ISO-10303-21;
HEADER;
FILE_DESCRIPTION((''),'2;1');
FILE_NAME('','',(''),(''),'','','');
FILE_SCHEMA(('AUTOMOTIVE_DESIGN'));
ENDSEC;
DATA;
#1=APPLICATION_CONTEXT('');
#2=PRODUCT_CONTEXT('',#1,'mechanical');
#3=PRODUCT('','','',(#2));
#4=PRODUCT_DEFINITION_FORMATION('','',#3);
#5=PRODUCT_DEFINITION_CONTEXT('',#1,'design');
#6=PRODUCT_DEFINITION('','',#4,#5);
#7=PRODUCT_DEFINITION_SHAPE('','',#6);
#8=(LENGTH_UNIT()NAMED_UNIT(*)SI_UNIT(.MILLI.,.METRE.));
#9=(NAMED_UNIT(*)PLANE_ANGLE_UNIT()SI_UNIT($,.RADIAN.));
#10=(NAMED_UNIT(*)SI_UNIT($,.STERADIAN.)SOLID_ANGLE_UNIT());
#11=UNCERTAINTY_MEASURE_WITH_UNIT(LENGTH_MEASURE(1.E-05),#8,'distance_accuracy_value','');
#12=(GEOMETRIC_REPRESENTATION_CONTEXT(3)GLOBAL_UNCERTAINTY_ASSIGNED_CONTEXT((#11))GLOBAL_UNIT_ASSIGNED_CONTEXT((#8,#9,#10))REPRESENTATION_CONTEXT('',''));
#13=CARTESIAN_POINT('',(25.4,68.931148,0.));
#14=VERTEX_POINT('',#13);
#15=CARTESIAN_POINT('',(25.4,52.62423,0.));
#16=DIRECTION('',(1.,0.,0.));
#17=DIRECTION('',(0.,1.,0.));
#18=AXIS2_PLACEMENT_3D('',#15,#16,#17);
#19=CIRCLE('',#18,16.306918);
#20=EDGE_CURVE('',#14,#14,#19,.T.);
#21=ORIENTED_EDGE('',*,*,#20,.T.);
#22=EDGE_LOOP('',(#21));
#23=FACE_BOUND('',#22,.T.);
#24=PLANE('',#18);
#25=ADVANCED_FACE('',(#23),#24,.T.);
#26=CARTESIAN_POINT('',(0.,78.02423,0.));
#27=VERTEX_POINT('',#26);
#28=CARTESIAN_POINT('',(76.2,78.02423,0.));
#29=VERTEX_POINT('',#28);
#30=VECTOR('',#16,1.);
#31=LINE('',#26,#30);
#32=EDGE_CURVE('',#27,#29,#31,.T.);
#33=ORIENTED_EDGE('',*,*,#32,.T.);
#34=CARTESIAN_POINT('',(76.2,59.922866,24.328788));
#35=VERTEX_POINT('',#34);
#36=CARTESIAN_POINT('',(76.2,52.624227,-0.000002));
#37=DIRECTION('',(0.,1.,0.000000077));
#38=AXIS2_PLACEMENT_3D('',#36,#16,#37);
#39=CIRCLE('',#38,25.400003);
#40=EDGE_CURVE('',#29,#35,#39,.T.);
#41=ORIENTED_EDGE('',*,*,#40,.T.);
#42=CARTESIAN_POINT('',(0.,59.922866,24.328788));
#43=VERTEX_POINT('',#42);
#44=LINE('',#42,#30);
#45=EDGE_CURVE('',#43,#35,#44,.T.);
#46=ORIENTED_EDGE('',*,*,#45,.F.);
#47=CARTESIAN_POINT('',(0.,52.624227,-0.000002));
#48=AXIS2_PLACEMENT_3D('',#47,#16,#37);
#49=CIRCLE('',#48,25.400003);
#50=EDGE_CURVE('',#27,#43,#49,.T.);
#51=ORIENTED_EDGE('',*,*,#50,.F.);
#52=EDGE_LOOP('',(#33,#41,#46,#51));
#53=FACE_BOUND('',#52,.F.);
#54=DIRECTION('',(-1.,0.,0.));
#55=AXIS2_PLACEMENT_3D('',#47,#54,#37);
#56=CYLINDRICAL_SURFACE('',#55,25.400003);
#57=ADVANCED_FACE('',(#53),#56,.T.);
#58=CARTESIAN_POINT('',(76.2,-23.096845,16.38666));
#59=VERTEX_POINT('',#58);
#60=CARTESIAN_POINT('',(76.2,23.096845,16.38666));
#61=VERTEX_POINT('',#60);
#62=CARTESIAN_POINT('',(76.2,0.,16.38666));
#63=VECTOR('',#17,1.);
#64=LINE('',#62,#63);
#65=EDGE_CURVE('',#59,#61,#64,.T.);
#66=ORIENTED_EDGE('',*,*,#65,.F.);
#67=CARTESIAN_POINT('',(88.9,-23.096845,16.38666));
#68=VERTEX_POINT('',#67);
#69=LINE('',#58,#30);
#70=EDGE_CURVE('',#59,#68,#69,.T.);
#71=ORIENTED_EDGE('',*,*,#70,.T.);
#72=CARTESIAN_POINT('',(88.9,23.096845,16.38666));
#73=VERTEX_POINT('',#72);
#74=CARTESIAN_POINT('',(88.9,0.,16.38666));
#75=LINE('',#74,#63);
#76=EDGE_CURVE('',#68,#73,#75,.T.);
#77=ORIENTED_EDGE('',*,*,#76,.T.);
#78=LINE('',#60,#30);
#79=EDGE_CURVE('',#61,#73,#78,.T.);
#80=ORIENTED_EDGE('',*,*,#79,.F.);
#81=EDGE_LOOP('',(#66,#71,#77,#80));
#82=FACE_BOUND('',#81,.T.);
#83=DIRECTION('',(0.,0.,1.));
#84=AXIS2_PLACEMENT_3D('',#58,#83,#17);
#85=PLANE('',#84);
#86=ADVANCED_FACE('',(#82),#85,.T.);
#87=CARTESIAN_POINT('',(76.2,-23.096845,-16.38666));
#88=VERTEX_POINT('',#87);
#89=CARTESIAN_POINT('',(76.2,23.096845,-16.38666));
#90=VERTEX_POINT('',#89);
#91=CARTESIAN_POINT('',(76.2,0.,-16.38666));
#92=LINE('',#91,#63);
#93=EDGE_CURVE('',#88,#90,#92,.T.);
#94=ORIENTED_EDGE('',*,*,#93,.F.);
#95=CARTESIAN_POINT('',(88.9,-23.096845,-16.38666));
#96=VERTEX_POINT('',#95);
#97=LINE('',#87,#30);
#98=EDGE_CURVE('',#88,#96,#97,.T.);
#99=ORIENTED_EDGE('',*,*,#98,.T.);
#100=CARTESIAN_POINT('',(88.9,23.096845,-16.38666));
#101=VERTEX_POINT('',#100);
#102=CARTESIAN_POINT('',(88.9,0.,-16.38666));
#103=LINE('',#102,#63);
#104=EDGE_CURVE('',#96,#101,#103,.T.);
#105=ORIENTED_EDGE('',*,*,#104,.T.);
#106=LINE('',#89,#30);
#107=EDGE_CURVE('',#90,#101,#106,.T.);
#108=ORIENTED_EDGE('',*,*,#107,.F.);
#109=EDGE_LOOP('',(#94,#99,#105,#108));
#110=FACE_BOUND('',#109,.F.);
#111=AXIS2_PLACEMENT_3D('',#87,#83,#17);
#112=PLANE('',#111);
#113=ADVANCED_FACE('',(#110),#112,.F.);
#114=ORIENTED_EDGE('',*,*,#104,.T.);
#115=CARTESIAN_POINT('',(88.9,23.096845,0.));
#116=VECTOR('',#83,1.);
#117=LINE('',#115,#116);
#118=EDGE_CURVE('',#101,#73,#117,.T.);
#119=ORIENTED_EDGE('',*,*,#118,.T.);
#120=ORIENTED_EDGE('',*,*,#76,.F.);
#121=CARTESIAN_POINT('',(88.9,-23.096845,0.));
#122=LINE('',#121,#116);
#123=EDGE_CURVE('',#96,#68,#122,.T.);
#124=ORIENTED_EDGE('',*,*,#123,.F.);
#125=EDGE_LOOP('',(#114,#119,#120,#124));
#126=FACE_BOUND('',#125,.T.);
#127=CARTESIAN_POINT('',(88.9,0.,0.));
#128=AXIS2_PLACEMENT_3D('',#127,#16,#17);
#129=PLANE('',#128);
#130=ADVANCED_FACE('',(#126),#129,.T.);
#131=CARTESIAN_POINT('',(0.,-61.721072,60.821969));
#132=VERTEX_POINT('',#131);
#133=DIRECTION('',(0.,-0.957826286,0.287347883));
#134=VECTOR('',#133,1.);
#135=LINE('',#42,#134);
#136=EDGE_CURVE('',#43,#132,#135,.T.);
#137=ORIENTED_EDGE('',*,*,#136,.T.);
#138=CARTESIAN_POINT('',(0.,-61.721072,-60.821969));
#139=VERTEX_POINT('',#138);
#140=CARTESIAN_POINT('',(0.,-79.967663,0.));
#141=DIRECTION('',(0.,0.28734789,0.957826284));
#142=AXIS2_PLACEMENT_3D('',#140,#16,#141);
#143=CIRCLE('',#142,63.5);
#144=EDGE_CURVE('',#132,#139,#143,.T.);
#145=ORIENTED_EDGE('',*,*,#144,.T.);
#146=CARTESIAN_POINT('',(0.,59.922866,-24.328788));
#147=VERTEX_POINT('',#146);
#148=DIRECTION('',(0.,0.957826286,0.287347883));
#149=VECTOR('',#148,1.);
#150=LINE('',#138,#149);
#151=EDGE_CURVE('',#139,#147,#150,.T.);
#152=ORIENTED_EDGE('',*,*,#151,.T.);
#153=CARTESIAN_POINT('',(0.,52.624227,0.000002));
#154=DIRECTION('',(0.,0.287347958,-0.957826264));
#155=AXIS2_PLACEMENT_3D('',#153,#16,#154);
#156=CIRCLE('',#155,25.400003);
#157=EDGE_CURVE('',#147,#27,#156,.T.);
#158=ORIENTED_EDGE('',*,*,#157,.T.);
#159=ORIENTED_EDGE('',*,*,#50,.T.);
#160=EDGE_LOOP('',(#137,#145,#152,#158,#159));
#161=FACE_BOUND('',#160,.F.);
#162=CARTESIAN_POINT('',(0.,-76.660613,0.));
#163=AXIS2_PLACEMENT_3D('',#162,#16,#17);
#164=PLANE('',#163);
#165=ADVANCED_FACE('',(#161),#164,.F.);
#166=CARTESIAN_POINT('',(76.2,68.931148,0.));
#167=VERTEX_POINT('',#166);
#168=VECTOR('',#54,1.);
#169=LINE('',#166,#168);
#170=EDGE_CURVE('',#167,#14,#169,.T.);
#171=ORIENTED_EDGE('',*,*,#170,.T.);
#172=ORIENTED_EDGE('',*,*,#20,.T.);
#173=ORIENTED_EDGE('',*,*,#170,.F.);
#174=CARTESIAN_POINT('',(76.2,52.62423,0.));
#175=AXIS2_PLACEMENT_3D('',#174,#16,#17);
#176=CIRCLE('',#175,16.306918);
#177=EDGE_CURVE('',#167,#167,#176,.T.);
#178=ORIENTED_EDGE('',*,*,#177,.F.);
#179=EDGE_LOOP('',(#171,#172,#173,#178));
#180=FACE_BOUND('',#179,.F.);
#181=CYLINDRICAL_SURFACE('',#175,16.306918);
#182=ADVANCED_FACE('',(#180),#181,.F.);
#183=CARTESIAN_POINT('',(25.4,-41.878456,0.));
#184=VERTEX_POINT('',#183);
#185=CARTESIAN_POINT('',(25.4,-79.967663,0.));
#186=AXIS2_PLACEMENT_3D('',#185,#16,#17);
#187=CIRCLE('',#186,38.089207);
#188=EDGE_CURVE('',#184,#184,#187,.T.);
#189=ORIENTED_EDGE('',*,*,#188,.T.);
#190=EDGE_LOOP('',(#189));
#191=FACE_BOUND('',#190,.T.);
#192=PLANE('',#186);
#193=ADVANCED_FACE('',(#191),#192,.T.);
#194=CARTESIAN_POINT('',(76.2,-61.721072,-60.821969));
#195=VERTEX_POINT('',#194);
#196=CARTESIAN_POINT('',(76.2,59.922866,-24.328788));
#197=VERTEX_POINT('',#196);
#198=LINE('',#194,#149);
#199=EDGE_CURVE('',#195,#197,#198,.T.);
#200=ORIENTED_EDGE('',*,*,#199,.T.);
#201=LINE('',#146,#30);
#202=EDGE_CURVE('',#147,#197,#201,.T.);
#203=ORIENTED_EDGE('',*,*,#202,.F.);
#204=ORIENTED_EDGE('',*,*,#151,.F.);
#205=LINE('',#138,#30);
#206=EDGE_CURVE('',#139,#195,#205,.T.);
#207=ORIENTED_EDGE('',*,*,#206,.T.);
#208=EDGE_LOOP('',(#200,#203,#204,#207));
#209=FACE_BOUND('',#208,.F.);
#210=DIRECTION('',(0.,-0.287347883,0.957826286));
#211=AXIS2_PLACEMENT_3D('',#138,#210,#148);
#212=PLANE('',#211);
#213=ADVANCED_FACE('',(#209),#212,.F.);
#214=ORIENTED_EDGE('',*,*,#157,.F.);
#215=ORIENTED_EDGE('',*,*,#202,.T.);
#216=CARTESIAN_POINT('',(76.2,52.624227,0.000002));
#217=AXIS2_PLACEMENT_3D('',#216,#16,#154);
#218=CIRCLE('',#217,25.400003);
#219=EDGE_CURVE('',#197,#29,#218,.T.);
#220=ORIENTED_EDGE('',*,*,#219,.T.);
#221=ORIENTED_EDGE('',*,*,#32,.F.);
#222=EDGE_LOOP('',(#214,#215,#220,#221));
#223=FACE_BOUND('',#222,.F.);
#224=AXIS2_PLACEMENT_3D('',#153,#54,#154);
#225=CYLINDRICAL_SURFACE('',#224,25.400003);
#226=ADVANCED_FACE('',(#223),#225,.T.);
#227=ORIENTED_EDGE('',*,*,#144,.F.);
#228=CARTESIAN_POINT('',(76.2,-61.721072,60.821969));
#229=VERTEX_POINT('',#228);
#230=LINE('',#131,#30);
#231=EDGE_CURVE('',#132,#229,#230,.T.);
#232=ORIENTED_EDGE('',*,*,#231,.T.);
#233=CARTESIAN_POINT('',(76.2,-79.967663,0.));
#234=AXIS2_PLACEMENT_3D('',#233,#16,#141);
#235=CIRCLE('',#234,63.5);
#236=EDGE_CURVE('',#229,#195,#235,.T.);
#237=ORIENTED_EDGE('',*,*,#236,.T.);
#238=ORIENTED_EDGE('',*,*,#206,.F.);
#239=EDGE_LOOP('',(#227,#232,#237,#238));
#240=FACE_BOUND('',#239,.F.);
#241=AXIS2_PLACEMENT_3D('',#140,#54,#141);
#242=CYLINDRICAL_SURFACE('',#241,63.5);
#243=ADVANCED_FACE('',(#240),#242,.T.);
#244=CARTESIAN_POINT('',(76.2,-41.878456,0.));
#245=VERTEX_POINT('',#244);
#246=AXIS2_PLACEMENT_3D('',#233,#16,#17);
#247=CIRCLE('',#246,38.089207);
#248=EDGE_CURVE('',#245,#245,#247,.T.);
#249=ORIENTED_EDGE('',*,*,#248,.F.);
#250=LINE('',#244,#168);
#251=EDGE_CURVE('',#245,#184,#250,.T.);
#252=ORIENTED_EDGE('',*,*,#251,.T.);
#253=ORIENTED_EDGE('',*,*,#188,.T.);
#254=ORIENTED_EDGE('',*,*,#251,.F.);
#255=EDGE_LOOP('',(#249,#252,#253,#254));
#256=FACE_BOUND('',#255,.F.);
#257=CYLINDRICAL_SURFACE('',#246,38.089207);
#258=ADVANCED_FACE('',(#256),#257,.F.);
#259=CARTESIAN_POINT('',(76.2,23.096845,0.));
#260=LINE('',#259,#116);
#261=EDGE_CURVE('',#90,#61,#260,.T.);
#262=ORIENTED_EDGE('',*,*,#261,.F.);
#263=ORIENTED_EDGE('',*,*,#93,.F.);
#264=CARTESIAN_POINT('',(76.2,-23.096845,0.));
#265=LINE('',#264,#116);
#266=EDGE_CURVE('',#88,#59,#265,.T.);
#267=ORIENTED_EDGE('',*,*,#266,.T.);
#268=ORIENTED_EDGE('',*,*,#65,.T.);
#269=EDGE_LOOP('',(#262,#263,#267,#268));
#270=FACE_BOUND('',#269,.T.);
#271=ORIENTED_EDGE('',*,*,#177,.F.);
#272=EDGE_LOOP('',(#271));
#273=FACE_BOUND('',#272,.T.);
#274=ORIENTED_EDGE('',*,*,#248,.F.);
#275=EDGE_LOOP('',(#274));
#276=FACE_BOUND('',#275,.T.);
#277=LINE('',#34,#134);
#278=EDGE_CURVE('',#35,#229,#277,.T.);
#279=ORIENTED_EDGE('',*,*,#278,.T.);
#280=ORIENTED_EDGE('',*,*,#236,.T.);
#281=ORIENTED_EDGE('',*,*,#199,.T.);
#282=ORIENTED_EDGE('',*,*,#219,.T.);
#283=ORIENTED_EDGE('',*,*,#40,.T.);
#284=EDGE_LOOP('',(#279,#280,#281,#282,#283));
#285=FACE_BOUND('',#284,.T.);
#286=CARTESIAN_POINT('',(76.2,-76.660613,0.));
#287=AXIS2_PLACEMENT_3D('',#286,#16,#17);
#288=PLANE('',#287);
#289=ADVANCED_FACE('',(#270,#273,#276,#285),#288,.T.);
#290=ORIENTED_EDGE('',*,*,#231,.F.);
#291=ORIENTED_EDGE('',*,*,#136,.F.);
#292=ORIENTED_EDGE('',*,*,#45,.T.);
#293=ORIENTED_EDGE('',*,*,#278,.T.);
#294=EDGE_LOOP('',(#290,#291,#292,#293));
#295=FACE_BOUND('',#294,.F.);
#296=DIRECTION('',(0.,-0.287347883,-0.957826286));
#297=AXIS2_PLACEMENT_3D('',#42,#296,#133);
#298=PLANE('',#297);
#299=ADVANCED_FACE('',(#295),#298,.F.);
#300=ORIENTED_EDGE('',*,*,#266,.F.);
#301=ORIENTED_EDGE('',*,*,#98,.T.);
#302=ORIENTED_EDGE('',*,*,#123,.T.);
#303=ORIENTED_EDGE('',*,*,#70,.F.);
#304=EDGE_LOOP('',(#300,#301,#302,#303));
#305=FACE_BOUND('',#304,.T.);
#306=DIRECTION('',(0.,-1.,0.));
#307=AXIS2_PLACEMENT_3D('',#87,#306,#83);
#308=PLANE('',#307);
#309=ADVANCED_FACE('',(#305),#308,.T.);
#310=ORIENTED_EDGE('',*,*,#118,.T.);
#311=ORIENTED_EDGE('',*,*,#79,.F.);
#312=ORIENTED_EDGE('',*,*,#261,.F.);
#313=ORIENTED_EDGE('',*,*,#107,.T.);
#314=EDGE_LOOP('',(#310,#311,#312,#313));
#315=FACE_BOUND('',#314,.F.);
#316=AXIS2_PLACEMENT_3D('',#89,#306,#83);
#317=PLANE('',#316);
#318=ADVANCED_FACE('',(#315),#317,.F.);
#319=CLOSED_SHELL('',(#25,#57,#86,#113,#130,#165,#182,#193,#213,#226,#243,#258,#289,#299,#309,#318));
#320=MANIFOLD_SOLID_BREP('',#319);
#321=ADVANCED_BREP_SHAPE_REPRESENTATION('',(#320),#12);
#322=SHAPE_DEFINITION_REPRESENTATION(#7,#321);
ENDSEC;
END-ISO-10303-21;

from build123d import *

# Parameters (mm, degrees)
F1_DEPTH = 76.2
F2_R     = 38.089207
F2_R_2   = 16.306918
F3_DEPTH = 50.8
F4_W     = 46.19369
F4_H     = 32.77332
F5_DEPTH = 12.7


with BuildPart() as f1:
    # F0 (on Right) → F1 (new body)
    with BuildSketch(Plane.YZ):
        with BuildLine():
            ThreePointArc((-61.721072, -60.821969), (-29.022062, -37.905089), (-16.467663, 0))
            ThreePointArc((-16.467663, 0), (-29.022062, 37.905089), (-61.721072, 60.821969))
            ThreePointArc((-61.721072, 60.821969), (-143.467663, 0), (-61.721072, -60.821969))
        make_face()
        with BuildLine():
            ThreePointArc((-61.721072, 60.821969), (-29.022062, 37.905089), (-16.467663, 0))
            ThreePointArc((-16.467663, 0), (-29.022062, -37.905089), (-61.721072, -60.821969))
            Line((-61.721072, -60.821969), (59.922866, -24.328788))
            ThreePointArc((59.922866, -24.328788), (27.22423, 0), (59.922866, 24.328788))
            Line((59.922866, 24.328788), (-61.721072, 60.821969))
        make_face()
        with BuildLine():
            ThreePointArc((78.02423, 0), (73.00247, 15.162035), (59.922866, 24.328788))
            ThreePointArc((59.922866, 24.328788), (27.22423, 0), (59.922866, -24.328788))
            ThreePointArc((59.922866, -24.328788), (73.00247, -15.162035), (78.02423, 0))
        make_face()
    extrude(amount=F1_DEPTH)

    # F2 (on face) → F3 (cut)
    with BuildSketch(Plane.YZ.offset(76.2)):
        with Locations((-79.967663, 0)):
            Circle(F2_R)
        with Locations((52.62423, 0)):
            Circle(F2_R_2)
    extrude(amount=-F3_DEPTH, mode=Mode.SUBTRACT)

    # F4 (on face) → F5 (join)
    with BuildSketch(Plane.YZ.offset(76.2)):
        Rectangle(F4_W, F4_H)
    extrude(amount=F5_DEPTH)


solid = f1.part
